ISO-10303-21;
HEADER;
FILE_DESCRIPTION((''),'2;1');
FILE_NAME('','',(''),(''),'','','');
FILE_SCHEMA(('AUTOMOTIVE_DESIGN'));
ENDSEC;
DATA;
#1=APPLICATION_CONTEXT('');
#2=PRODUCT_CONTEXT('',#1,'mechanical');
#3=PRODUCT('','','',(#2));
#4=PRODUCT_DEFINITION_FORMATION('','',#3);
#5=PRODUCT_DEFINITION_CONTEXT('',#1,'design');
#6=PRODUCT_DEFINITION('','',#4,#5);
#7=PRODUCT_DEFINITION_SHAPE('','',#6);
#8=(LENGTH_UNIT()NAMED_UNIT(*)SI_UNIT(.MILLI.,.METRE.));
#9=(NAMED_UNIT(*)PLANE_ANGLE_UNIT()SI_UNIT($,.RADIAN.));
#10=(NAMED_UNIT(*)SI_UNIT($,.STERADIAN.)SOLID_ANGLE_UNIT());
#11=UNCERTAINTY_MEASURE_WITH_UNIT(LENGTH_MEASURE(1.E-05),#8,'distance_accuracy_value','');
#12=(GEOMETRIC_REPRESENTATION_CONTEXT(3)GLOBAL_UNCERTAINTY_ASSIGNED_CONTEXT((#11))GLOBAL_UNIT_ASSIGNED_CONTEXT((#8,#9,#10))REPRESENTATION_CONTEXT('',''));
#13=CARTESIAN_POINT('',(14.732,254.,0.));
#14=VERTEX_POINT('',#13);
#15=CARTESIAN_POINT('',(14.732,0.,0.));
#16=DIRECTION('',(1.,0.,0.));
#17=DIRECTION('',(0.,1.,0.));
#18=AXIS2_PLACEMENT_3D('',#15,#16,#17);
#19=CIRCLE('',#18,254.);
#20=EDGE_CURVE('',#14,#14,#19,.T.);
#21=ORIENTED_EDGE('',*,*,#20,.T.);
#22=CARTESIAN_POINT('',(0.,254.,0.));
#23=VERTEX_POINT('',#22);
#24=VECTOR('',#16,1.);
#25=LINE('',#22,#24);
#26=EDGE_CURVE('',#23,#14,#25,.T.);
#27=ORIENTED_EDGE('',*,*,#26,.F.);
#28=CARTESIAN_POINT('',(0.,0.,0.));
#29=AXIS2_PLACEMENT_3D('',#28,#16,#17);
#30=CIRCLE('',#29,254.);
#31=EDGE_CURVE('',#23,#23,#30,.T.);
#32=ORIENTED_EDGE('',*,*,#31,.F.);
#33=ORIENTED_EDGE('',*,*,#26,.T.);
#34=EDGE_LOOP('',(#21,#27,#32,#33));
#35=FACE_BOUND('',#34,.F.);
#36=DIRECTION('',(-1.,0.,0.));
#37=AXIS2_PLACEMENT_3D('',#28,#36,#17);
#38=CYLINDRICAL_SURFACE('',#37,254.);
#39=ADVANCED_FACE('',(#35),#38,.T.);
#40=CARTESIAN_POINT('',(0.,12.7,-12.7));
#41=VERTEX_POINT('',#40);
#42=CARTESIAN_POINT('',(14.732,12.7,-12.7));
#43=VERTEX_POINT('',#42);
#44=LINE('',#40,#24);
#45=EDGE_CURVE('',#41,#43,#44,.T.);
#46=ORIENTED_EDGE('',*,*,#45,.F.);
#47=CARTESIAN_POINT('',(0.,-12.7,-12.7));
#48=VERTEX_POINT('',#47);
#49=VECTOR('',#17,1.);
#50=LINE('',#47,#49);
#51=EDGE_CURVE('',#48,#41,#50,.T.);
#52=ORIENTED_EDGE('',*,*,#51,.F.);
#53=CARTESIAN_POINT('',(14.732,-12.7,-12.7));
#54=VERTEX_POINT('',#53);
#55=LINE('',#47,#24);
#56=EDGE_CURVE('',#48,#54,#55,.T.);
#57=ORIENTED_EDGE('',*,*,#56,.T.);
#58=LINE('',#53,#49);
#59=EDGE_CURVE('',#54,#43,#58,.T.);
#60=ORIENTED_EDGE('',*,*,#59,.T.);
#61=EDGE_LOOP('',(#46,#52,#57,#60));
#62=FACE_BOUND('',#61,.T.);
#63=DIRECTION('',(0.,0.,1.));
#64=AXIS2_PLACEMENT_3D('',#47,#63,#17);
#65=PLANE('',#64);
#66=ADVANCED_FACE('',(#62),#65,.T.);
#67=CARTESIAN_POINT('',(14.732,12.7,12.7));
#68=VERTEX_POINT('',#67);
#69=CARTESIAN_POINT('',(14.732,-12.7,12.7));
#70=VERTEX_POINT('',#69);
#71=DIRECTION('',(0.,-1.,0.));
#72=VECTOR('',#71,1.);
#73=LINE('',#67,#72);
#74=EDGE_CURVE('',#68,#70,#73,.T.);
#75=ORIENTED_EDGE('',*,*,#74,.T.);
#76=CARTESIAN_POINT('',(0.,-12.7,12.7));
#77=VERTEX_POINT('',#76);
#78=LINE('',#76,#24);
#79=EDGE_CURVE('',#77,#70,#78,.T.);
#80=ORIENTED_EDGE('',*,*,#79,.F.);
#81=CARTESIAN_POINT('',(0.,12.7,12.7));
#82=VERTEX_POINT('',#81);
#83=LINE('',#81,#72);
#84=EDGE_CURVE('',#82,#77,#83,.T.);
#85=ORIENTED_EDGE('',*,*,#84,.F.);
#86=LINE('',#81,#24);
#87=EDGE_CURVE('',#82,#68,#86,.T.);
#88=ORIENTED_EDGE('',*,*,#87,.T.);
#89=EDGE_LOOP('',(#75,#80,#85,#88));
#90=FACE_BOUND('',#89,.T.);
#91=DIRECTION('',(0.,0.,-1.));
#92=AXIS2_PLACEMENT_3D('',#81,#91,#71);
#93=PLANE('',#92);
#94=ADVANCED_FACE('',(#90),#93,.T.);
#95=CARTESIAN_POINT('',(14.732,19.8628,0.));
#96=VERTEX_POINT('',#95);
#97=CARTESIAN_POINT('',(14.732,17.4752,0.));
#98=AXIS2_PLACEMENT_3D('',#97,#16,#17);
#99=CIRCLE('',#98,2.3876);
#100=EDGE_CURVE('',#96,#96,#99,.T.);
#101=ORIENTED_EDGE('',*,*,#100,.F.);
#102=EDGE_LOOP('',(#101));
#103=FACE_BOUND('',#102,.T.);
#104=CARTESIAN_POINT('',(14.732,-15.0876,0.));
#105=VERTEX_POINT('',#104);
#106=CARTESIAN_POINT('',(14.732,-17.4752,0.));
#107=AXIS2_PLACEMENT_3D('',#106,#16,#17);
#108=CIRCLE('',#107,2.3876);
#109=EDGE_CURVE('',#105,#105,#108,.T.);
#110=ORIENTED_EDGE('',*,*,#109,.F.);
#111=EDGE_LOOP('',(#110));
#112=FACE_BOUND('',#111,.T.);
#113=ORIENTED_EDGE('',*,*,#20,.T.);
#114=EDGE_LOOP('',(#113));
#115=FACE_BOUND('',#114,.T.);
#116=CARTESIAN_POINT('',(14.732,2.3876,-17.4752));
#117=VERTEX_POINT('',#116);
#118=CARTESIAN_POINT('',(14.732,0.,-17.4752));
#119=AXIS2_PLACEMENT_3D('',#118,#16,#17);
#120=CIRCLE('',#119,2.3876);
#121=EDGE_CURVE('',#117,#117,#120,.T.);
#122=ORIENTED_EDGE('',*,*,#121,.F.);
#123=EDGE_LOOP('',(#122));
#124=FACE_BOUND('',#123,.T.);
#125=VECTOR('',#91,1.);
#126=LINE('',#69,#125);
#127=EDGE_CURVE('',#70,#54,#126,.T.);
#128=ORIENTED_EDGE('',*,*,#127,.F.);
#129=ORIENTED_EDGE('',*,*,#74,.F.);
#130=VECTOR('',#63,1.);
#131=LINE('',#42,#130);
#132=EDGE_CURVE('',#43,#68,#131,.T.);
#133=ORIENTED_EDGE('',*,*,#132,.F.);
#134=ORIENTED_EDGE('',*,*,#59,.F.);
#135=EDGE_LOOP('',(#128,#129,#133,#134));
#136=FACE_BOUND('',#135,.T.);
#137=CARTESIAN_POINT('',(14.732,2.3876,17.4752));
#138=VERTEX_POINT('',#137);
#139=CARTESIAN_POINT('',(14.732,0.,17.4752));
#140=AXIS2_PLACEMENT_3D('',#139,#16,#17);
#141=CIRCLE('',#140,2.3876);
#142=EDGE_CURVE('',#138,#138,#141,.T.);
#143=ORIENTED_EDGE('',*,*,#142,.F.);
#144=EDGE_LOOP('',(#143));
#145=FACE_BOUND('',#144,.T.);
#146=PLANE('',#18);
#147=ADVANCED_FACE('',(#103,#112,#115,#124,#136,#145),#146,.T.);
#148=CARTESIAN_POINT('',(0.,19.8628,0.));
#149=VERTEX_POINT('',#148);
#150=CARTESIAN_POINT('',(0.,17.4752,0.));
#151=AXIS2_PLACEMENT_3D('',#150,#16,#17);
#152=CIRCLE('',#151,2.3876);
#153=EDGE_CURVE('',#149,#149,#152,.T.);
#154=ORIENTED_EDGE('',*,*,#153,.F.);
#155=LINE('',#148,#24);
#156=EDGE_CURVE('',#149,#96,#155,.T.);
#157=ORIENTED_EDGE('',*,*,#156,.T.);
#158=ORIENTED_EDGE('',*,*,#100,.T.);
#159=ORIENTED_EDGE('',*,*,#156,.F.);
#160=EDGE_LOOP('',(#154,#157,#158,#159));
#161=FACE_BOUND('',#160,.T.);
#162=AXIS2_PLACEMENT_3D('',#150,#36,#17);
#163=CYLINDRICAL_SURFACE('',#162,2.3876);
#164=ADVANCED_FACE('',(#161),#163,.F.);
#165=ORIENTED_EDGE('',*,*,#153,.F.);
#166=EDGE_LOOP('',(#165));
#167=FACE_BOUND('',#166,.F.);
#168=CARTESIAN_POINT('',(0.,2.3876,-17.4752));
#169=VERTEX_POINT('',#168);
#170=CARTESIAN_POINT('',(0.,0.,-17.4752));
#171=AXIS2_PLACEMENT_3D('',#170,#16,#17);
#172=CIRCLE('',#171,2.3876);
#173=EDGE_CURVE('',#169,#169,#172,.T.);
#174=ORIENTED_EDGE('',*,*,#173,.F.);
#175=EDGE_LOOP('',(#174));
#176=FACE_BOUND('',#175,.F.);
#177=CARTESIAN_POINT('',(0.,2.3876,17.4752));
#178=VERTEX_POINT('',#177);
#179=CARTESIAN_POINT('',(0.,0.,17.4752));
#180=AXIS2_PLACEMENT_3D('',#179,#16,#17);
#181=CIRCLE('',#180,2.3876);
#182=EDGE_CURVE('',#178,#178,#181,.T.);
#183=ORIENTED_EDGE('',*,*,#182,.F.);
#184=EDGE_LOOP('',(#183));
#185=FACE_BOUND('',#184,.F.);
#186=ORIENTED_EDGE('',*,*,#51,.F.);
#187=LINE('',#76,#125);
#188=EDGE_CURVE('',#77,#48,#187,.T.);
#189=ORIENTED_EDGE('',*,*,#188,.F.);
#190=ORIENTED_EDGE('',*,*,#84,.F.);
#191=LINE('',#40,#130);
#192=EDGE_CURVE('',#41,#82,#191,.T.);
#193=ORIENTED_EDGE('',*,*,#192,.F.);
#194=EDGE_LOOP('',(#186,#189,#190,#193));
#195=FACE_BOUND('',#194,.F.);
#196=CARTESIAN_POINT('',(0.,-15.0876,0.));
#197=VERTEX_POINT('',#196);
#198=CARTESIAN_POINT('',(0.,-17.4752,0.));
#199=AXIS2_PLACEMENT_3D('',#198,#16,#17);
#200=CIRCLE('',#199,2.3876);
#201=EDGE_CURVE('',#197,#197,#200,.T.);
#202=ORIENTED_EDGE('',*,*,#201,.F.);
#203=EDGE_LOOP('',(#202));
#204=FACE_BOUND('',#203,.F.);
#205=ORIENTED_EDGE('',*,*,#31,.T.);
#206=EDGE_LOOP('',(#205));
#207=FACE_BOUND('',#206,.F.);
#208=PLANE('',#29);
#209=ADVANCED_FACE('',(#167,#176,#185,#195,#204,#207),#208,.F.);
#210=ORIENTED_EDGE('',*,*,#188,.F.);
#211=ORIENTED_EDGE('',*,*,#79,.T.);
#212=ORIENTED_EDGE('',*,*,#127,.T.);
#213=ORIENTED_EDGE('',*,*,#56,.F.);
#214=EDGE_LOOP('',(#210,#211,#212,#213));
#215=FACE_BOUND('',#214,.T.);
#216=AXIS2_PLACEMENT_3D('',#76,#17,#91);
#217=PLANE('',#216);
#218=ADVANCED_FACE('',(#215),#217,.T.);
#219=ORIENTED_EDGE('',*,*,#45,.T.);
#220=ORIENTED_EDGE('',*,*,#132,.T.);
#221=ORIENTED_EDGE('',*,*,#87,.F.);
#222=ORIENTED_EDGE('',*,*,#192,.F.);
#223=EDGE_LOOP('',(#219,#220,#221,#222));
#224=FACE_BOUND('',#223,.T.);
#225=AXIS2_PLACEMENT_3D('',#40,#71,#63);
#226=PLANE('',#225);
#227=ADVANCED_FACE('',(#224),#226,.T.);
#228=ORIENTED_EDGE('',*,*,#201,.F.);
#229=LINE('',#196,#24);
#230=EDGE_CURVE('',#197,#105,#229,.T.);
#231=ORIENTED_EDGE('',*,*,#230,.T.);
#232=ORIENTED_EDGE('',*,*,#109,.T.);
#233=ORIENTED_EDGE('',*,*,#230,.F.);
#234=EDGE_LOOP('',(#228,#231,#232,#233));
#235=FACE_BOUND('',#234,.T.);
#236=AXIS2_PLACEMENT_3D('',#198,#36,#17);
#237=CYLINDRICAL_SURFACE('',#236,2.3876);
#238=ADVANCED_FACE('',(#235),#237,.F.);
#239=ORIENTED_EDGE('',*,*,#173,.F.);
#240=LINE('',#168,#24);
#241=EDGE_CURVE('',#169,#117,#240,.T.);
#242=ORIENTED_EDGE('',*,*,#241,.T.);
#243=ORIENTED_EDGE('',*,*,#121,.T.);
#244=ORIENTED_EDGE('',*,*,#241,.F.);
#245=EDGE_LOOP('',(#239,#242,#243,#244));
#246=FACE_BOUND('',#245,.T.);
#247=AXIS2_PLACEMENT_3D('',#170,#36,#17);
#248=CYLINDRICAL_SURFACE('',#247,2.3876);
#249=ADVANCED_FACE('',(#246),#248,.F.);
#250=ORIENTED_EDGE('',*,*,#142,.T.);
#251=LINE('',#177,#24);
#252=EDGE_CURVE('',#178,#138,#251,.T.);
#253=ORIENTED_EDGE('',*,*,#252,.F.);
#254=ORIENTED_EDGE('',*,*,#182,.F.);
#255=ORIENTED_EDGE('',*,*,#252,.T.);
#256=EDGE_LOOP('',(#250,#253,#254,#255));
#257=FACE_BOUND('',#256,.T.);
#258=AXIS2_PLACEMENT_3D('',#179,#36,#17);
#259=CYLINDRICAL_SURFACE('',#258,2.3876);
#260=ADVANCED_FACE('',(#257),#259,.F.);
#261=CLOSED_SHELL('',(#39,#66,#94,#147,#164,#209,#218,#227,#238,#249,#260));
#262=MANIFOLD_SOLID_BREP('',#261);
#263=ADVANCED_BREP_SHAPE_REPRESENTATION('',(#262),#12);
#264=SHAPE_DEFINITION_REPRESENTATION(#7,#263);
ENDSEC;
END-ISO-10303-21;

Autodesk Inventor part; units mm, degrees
ref_plane "YZ Plane" through (0, 0, 0) normal (1, 0, 0) x (0, 1, 0)
ref_plane "XZ Plane" through (0, 0, 0) normal (0, 1, 0) x (-1, 0, 0)
ref_plane "XY Plane" through (0, 0, 0) normal (0, 0, 1) x (1, 0, 0)
sketch "Sketch1" plane through (0, 0, 0) normal (1, 0, 0) x (0, 1, 0)
  circle A0 centre (0, 0) radius 254
  line L0 (12.7, 12.7) -> (-12.7, 12.7)
  line L1 (-12.7, 12.7) -> (-12.7, -12.7)
  line L2 (-12.7, -12.7) -> (12.7, -12.7)
  line L3 (12.7, -12.7) -> (12.7, 12.7)
  circle A1 centre (17.4752, 0) radius 2.3876
  circle A2 centre (0, 17.4752) radius 2.3876
  circle A3 centre (-17.4752, 0) radius 2.3876
  circle A4 centre (0, -17.4752) radius 2.3876
  dimension "d0" = 508
  dimension "d1" = 25.4
  dimension "d2" = 25.4
  dimension "d6" = 4.7752
  dimension "d9" = 360
extrude "Extrusion1" add sketch "Sketch1" along normal blind 14.732
properties part number "220122 Dividers"
